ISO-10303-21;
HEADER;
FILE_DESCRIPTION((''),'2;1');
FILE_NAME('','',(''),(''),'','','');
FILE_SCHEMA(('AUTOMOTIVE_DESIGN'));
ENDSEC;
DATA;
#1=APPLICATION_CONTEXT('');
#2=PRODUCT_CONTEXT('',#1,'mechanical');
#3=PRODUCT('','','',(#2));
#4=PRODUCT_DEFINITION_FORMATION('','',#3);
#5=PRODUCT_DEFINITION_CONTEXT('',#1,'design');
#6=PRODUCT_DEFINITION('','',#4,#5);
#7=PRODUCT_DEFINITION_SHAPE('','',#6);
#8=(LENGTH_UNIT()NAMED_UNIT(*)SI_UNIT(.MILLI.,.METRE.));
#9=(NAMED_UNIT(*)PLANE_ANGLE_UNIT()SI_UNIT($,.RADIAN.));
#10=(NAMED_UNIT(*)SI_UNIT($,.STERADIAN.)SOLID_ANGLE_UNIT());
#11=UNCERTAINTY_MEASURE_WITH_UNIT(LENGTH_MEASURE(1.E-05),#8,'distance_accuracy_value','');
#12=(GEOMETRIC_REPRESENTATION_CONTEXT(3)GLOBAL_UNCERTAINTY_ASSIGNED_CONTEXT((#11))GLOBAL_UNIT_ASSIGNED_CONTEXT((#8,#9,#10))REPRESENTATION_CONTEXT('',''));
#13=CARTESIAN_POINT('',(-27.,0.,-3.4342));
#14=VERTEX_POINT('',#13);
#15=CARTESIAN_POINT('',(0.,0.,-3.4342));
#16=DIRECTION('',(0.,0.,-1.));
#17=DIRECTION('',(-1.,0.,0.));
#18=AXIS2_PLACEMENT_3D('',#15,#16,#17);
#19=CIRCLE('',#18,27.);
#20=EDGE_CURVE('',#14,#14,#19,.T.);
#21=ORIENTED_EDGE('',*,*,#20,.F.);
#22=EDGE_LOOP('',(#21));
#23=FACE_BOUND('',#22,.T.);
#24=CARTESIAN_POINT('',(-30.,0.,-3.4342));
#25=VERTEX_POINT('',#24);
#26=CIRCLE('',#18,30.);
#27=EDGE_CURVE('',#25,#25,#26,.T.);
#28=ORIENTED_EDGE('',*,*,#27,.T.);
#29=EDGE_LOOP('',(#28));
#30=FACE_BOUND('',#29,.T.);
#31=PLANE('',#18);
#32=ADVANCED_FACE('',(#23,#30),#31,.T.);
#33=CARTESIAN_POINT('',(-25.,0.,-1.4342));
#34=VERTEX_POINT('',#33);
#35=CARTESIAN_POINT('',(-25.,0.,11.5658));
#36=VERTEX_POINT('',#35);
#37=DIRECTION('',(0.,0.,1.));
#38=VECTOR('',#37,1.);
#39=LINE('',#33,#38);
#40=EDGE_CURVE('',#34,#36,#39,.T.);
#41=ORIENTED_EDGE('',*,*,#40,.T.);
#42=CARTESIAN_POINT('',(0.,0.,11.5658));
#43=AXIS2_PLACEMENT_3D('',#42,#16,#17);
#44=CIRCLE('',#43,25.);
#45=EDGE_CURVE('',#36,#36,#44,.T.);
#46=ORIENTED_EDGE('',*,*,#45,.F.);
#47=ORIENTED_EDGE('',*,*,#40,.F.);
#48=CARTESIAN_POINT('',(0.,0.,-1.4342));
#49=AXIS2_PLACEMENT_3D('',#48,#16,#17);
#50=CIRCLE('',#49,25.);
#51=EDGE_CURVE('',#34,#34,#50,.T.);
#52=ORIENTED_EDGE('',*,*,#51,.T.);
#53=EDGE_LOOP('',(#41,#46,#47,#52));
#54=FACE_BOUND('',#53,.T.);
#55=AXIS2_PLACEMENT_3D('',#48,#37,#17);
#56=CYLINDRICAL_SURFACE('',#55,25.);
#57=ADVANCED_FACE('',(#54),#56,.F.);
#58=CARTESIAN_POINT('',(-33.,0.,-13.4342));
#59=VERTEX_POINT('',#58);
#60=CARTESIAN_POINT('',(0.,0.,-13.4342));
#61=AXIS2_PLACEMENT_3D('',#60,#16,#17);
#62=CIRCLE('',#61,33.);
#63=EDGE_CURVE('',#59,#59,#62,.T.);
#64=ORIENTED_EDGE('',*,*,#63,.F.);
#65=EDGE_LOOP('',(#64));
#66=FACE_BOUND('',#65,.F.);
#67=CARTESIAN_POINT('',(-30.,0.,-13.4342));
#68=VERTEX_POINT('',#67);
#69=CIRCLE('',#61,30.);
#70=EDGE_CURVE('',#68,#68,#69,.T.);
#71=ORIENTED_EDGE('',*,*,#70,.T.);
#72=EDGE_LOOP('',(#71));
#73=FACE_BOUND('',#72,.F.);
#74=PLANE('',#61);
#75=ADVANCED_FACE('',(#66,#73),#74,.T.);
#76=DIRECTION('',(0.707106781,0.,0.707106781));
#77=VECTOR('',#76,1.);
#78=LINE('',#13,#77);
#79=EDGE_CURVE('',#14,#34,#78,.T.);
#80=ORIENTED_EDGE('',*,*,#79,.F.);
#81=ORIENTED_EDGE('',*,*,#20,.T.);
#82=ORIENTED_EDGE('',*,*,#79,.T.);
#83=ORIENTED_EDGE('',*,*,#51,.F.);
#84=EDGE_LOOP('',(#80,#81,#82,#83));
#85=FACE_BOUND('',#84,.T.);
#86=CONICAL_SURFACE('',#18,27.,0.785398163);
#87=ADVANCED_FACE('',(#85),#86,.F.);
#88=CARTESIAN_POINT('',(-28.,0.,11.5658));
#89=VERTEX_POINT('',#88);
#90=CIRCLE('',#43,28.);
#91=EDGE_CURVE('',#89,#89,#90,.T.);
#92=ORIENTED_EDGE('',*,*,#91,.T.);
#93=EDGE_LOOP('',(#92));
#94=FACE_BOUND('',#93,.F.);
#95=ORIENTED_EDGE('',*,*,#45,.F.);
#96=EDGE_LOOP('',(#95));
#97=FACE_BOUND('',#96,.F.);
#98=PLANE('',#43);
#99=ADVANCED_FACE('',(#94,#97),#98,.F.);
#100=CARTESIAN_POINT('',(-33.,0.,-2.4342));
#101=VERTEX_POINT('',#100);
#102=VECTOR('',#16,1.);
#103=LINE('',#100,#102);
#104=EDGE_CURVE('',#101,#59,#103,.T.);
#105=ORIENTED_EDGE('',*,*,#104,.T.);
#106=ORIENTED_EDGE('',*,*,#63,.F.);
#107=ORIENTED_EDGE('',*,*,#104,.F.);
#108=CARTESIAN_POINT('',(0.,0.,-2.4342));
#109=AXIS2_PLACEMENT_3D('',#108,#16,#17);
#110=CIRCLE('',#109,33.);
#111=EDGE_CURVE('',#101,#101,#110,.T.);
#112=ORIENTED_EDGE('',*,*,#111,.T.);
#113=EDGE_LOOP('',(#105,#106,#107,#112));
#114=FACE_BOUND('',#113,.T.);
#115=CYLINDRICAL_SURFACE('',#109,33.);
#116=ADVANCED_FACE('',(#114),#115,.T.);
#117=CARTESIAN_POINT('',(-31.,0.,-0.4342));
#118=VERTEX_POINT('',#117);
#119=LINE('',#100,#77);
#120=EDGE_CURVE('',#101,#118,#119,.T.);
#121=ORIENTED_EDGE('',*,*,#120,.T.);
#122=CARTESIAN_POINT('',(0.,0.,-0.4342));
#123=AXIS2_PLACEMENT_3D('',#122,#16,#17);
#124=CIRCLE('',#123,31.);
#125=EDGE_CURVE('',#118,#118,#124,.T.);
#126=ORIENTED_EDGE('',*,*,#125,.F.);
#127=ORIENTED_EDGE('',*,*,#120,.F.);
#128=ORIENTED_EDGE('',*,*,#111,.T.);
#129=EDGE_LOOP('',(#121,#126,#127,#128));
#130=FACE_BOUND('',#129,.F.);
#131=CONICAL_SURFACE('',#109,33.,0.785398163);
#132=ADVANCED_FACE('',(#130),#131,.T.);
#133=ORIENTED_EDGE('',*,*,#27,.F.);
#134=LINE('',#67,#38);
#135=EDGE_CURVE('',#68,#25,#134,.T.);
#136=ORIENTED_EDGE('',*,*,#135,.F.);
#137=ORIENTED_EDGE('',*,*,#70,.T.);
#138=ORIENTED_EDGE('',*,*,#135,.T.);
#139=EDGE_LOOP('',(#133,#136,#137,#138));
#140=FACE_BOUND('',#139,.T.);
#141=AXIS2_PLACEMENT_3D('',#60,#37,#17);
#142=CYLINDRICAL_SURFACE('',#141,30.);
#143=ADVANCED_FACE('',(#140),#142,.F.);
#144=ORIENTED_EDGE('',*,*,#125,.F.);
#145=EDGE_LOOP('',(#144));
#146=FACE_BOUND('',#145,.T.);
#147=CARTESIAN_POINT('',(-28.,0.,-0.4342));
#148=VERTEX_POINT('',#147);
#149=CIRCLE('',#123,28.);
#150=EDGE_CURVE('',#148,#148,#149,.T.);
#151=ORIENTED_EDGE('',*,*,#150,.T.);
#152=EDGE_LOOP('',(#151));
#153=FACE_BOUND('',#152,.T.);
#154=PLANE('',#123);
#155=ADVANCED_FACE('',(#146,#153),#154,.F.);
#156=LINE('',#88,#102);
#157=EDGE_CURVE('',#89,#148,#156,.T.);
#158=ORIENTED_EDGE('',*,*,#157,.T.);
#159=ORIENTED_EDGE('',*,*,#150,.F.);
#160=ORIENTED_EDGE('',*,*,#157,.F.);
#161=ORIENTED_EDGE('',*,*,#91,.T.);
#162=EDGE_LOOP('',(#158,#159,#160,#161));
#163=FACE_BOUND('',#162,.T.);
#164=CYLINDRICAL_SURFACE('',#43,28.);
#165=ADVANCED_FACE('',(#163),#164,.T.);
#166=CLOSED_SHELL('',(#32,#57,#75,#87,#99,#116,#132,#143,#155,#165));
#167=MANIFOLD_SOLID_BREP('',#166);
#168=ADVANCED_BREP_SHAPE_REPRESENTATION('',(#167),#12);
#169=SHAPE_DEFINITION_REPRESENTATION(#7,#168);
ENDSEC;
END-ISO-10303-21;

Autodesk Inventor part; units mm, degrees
ref_plane "YZ Plane" through (0, 0, 0) normal (1, 0, 0) x (0, 1, 0)
ref_plane "XZ Plane" through (0, 0, 0) normal (0, 1, 0) x (-1, 0, 0)
ref_plane "XY Plane" through (0, 0, 0) normal (0, 0, 1) x (1, 0, 0)
sketch "Sketch1" plane through (0, 0, 0) normal (0, 1, 0) x (-1, 0, 0)
  line L0 (0, 26.3121) -> (0, -23.4342)
  line L1 (30, -13.4342) -> (30, -3.4342)
  line L2 (25, -1.4342) -> (25, 11.5658)
  line L3 (30, -3.4342) -> (27, -3.4342)
  line L4 (28, 11.5658) -> (28, -0.4342)
  line L5 (28, -0.4342) -> (31, -0.4342)
  line L6 (33, -2.4342) -> (33, -13.4342)
  line L7 (28, 11.5658) -> (25, 11.5658)
  line L8 (27, -3.4342) -> (25, -1.4342)
  line L9 (33, -2.4342) -> (31, -0.4342)
  line L10 (30, -3.4342) -> (30, -13.4342)
  line L11 (30, -13.4342) -> (33, -13.4342)
  point P0 (0, 0)
  point P1 (25, -3.4342)
  point P2 (33, -0.4342)
  dimension "d1" = 60
  dimension "d2" = 15
  dimension "d3" = 50
  dimension "d4" = 2
  dimension "d5" = 2
  dimension "d6" = 2
  dimension "d7" = 2
revolve "Revolution1" add sketch "Sketch1" angle 360 about axis through (0, 0, 26.3121) along (0, 0, -1)
equation "\"d5\" = d4"
equation "\"d7\" = d6"
properties part number "EXTRUSSOR-COUPLING"
